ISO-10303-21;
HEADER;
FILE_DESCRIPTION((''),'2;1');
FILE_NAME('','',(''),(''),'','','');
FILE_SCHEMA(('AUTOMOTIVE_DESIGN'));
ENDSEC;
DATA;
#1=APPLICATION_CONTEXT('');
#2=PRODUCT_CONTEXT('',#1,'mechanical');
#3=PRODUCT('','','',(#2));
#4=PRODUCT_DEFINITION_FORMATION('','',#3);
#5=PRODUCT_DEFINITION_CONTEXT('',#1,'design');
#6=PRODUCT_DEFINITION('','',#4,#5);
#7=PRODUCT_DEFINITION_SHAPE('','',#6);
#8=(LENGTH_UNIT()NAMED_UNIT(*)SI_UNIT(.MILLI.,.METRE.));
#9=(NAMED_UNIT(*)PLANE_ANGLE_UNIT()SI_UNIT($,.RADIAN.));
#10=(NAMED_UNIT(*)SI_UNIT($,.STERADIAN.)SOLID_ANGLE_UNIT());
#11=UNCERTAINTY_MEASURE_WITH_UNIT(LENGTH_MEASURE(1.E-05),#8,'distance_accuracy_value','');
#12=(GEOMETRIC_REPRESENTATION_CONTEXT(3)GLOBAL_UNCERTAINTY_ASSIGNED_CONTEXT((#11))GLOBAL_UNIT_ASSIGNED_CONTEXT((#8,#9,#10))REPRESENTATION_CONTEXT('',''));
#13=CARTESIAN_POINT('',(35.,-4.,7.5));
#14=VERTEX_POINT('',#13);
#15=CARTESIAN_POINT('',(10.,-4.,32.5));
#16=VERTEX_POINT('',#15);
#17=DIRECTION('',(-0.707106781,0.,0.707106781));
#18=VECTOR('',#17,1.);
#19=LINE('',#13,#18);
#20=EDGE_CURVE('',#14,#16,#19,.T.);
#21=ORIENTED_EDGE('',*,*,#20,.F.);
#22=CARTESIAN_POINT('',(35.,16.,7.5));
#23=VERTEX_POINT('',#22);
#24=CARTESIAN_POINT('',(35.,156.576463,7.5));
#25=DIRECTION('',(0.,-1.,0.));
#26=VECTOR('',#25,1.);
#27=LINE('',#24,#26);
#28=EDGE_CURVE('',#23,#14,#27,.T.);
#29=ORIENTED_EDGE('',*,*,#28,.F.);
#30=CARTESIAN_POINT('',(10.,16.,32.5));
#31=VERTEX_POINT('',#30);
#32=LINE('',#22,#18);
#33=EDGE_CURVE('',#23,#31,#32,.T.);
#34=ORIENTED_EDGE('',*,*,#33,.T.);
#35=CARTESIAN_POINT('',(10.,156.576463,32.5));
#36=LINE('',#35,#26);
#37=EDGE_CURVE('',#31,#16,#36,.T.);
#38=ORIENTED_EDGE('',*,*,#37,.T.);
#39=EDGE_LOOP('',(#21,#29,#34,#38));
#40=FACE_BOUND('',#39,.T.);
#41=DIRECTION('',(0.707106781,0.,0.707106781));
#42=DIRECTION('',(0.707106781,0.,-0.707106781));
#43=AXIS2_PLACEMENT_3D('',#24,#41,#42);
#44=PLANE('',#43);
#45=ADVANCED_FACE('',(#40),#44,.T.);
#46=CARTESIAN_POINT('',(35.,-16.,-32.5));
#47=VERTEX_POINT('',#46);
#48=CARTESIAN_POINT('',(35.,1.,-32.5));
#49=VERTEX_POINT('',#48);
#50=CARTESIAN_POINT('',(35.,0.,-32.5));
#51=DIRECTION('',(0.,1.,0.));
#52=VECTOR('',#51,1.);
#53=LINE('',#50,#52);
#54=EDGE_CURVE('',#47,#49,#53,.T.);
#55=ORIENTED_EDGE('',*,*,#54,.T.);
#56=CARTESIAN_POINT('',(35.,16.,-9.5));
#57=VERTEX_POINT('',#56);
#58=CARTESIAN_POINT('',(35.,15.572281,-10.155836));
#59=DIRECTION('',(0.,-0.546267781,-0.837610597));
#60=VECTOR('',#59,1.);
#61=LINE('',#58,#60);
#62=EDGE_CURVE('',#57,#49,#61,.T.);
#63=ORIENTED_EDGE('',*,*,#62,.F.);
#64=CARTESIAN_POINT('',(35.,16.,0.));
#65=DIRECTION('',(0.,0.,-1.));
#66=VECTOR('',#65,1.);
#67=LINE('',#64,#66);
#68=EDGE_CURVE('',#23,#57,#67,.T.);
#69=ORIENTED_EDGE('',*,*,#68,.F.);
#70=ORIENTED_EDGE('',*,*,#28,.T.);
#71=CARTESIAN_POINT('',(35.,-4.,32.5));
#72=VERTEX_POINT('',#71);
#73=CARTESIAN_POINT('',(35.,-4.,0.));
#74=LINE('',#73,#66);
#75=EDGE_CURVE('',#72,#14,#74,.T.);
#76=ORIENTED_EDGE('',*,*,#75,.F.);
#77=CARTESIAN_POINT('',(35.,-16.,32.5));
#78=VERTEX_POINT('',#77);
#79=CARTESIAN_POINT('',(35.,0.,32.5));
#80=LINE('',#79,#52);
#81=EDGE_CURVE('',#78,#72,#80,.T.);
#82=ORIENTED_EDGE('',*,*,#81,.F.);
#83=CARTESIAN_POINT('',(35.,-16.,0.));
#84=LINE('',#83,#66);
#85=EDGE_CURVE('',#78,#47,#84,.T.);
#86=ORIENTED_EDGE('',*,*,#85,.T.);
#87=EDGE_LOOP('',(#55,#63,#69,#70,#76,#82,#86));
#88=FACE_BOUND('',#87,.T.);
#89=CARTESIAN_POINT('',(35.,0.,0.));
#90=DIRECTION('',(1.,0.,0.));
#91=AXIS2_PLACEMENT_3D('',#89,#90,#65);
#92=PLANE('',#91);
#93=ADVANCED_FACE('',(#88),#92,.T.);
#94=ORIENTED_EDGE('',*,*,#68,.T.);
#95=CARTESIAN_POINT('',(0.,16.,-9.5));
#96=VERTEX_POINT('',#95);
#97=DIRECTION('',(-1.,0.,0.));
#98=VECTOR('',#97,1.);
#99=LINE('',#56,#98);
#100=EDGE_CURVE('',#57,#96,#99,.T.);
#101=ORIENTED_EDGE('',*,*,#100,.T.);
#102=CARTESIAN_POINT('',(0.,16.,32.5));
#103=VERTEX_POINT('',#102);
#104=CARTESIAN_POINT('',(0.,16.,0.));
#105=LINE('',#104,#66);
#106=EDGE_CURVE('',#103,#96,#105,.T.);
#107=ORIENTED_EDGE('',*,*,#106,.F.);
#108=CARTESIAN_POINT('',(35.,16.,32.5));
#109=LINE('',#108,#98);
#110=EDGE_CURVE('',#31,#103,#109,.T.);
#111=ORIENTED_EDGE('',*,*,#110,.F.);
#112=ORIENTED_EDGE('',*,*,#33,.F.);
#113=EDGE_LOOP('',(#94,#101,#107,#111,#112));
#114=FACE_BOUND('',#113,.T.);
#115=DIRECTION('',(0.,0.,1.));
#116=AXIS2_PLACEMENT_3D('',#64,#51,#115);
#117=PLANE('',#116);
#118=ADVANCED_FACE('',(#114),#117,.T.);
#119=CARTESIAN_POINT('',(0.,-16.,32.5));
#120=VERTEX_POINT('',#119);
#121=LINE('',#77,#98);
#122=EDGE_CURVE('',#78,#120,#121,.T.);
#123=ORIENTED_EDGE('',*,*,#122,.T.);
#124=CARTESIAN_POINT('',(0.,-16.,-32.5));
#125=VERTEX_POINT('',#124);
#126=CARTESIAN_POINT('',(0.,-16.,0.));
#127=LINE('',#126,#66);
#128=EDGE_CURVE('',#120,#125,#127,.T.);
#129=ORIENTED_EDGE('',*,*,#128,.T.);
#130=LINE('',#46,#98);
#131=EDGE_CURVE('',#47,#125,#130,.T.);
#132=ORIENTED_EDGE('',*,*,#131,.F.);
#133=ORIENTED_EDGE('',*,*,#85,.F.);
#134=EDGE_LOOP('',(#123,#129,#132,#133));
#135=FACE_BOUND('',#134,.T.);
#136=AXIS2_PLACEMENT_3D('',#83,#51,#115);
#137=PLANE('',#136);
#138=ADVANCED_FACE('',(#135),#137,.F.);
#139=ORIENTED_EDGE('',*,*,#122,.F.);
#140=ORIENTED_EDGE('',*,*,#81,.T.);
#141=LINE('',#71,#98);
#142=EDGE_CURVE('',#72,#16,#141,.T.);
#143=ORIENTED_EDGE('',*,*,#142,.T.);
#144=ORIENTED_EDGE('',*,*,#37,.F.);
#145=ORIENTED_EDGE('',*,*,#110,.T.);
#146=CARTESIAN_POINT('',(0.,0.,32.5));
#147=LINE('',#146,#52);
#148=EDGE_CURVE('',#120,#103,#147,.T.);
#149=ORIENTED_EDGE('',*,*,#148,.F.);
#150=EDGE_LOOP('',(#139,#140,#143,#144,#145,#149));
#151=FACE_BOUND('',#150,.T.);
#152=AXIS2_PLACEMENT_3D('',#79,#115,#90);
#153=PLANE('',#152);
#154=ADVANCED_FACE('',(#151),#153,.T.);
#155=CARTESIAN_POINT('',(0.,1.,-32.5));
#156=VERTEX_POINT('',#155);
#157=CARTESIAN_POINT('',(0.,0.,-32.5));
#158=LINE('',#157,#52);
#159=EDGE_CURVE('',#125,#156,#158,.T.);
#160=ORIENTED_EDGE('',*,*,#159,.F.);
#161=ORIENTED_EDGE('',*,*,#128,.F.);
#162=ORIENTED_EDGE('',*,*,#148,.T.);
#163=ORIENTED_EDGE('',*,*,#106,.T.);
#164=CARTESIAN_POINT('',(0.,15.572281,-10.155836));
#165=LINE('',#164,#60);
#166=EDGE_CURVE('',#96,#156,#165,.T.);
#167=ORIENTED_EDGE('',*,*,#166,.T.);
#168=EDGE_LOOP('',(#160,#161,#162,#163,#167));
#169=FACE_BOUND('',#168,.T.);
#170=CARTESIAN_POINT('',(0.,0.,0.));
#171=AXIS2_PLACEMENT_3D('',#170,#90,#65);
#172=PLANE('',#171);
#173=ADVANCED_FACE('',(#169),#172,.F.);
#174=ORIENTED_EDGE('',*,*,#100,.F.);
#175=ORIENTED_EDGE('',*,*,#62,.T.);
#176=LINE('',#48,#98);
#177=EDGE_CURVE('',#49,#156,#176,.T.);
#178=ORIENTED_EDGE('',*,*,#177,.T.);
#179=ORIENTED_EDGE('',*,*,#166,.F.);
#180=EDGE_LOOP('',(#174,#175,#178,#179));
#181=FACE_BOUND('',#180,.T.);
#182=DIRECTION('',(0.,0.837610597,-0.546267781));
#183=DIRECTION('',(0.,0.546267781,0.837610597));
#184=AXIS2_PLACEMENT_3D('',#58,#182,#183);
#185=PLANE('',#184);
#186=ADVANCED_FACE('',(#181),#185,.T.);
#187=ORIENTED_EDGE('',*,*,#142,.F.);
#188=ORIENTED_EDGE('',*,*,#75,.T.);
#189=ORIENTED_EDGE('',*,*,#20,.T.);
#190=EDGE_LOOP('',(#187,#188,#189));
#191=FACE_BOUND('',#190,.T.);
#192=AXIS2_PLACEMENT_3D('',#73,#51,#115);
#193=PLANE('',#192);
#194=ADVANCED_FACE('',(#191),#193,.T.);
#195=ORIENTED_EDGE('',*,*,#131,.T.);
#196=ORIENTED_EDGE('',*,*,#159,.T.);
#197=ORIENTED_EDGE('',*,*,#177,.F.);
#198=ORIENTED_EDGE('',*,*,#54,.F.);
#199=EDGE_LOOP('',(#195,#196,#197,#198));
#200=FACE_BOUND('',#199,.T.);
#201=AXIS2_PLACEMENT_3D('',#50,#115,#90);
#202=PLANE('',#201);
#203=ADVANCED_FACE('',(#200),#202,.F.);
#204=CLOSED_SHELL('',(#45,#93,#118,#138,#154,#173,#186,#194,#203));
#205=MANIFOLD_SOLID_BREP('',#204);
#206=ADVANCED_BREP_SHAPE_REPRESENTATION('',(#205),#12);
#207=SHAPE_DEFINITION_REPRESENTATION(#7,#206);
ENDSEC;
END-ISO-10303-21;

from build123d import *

# Parameters (mm, degrees)
BOSS_EXTRUDE1_DEPTH     = 35
CUT_EXTRUDE1_DEPTH      = 58.49130369
CUT_EXTRUDE1_DEPTH_BACK = 20


with BuildPart() as part:
    # Sketch1 → Boss-Extrude1 (new body)
    with BuildSketch(Plane(origin=(0, 0, 0), x_dir=(0, 0, -1), z_dir=(1, 0, 0))):
        Polygon((32.5, 1), (9.5, 16), (-32.5, 16), (-32.5, -16), (32.5, -16), align=None)
    extrude(amount=BOSS_EXTRUDE1_DEPTH)

    # Sketch2 → Cut-Extrude1 (cut, two sides: drawn at the far end of the back side and taken through both)
    with BuildSketch(Plane(origin=(0, 16, 0), x_dir=(1, 0, 0), z_dir=(0, 1, 0)).offset(-CUT_EXTRUDE1_DEPTH_BACK)):
        Polygon((140.55964583, 98.05964583), (35, -7.5), (10, -32.5), (-95.55964583, -138.05964583), (115.55964583, -349.178937489), (351.678937489, -113.05964583), align=None)
    extrude(amount=CUT_EXTRUDE1_DEPTH + CUT_EXTRUDE1_DEPTH_BACK, mode=Mode.SUBTRACT)


solid = part.part
